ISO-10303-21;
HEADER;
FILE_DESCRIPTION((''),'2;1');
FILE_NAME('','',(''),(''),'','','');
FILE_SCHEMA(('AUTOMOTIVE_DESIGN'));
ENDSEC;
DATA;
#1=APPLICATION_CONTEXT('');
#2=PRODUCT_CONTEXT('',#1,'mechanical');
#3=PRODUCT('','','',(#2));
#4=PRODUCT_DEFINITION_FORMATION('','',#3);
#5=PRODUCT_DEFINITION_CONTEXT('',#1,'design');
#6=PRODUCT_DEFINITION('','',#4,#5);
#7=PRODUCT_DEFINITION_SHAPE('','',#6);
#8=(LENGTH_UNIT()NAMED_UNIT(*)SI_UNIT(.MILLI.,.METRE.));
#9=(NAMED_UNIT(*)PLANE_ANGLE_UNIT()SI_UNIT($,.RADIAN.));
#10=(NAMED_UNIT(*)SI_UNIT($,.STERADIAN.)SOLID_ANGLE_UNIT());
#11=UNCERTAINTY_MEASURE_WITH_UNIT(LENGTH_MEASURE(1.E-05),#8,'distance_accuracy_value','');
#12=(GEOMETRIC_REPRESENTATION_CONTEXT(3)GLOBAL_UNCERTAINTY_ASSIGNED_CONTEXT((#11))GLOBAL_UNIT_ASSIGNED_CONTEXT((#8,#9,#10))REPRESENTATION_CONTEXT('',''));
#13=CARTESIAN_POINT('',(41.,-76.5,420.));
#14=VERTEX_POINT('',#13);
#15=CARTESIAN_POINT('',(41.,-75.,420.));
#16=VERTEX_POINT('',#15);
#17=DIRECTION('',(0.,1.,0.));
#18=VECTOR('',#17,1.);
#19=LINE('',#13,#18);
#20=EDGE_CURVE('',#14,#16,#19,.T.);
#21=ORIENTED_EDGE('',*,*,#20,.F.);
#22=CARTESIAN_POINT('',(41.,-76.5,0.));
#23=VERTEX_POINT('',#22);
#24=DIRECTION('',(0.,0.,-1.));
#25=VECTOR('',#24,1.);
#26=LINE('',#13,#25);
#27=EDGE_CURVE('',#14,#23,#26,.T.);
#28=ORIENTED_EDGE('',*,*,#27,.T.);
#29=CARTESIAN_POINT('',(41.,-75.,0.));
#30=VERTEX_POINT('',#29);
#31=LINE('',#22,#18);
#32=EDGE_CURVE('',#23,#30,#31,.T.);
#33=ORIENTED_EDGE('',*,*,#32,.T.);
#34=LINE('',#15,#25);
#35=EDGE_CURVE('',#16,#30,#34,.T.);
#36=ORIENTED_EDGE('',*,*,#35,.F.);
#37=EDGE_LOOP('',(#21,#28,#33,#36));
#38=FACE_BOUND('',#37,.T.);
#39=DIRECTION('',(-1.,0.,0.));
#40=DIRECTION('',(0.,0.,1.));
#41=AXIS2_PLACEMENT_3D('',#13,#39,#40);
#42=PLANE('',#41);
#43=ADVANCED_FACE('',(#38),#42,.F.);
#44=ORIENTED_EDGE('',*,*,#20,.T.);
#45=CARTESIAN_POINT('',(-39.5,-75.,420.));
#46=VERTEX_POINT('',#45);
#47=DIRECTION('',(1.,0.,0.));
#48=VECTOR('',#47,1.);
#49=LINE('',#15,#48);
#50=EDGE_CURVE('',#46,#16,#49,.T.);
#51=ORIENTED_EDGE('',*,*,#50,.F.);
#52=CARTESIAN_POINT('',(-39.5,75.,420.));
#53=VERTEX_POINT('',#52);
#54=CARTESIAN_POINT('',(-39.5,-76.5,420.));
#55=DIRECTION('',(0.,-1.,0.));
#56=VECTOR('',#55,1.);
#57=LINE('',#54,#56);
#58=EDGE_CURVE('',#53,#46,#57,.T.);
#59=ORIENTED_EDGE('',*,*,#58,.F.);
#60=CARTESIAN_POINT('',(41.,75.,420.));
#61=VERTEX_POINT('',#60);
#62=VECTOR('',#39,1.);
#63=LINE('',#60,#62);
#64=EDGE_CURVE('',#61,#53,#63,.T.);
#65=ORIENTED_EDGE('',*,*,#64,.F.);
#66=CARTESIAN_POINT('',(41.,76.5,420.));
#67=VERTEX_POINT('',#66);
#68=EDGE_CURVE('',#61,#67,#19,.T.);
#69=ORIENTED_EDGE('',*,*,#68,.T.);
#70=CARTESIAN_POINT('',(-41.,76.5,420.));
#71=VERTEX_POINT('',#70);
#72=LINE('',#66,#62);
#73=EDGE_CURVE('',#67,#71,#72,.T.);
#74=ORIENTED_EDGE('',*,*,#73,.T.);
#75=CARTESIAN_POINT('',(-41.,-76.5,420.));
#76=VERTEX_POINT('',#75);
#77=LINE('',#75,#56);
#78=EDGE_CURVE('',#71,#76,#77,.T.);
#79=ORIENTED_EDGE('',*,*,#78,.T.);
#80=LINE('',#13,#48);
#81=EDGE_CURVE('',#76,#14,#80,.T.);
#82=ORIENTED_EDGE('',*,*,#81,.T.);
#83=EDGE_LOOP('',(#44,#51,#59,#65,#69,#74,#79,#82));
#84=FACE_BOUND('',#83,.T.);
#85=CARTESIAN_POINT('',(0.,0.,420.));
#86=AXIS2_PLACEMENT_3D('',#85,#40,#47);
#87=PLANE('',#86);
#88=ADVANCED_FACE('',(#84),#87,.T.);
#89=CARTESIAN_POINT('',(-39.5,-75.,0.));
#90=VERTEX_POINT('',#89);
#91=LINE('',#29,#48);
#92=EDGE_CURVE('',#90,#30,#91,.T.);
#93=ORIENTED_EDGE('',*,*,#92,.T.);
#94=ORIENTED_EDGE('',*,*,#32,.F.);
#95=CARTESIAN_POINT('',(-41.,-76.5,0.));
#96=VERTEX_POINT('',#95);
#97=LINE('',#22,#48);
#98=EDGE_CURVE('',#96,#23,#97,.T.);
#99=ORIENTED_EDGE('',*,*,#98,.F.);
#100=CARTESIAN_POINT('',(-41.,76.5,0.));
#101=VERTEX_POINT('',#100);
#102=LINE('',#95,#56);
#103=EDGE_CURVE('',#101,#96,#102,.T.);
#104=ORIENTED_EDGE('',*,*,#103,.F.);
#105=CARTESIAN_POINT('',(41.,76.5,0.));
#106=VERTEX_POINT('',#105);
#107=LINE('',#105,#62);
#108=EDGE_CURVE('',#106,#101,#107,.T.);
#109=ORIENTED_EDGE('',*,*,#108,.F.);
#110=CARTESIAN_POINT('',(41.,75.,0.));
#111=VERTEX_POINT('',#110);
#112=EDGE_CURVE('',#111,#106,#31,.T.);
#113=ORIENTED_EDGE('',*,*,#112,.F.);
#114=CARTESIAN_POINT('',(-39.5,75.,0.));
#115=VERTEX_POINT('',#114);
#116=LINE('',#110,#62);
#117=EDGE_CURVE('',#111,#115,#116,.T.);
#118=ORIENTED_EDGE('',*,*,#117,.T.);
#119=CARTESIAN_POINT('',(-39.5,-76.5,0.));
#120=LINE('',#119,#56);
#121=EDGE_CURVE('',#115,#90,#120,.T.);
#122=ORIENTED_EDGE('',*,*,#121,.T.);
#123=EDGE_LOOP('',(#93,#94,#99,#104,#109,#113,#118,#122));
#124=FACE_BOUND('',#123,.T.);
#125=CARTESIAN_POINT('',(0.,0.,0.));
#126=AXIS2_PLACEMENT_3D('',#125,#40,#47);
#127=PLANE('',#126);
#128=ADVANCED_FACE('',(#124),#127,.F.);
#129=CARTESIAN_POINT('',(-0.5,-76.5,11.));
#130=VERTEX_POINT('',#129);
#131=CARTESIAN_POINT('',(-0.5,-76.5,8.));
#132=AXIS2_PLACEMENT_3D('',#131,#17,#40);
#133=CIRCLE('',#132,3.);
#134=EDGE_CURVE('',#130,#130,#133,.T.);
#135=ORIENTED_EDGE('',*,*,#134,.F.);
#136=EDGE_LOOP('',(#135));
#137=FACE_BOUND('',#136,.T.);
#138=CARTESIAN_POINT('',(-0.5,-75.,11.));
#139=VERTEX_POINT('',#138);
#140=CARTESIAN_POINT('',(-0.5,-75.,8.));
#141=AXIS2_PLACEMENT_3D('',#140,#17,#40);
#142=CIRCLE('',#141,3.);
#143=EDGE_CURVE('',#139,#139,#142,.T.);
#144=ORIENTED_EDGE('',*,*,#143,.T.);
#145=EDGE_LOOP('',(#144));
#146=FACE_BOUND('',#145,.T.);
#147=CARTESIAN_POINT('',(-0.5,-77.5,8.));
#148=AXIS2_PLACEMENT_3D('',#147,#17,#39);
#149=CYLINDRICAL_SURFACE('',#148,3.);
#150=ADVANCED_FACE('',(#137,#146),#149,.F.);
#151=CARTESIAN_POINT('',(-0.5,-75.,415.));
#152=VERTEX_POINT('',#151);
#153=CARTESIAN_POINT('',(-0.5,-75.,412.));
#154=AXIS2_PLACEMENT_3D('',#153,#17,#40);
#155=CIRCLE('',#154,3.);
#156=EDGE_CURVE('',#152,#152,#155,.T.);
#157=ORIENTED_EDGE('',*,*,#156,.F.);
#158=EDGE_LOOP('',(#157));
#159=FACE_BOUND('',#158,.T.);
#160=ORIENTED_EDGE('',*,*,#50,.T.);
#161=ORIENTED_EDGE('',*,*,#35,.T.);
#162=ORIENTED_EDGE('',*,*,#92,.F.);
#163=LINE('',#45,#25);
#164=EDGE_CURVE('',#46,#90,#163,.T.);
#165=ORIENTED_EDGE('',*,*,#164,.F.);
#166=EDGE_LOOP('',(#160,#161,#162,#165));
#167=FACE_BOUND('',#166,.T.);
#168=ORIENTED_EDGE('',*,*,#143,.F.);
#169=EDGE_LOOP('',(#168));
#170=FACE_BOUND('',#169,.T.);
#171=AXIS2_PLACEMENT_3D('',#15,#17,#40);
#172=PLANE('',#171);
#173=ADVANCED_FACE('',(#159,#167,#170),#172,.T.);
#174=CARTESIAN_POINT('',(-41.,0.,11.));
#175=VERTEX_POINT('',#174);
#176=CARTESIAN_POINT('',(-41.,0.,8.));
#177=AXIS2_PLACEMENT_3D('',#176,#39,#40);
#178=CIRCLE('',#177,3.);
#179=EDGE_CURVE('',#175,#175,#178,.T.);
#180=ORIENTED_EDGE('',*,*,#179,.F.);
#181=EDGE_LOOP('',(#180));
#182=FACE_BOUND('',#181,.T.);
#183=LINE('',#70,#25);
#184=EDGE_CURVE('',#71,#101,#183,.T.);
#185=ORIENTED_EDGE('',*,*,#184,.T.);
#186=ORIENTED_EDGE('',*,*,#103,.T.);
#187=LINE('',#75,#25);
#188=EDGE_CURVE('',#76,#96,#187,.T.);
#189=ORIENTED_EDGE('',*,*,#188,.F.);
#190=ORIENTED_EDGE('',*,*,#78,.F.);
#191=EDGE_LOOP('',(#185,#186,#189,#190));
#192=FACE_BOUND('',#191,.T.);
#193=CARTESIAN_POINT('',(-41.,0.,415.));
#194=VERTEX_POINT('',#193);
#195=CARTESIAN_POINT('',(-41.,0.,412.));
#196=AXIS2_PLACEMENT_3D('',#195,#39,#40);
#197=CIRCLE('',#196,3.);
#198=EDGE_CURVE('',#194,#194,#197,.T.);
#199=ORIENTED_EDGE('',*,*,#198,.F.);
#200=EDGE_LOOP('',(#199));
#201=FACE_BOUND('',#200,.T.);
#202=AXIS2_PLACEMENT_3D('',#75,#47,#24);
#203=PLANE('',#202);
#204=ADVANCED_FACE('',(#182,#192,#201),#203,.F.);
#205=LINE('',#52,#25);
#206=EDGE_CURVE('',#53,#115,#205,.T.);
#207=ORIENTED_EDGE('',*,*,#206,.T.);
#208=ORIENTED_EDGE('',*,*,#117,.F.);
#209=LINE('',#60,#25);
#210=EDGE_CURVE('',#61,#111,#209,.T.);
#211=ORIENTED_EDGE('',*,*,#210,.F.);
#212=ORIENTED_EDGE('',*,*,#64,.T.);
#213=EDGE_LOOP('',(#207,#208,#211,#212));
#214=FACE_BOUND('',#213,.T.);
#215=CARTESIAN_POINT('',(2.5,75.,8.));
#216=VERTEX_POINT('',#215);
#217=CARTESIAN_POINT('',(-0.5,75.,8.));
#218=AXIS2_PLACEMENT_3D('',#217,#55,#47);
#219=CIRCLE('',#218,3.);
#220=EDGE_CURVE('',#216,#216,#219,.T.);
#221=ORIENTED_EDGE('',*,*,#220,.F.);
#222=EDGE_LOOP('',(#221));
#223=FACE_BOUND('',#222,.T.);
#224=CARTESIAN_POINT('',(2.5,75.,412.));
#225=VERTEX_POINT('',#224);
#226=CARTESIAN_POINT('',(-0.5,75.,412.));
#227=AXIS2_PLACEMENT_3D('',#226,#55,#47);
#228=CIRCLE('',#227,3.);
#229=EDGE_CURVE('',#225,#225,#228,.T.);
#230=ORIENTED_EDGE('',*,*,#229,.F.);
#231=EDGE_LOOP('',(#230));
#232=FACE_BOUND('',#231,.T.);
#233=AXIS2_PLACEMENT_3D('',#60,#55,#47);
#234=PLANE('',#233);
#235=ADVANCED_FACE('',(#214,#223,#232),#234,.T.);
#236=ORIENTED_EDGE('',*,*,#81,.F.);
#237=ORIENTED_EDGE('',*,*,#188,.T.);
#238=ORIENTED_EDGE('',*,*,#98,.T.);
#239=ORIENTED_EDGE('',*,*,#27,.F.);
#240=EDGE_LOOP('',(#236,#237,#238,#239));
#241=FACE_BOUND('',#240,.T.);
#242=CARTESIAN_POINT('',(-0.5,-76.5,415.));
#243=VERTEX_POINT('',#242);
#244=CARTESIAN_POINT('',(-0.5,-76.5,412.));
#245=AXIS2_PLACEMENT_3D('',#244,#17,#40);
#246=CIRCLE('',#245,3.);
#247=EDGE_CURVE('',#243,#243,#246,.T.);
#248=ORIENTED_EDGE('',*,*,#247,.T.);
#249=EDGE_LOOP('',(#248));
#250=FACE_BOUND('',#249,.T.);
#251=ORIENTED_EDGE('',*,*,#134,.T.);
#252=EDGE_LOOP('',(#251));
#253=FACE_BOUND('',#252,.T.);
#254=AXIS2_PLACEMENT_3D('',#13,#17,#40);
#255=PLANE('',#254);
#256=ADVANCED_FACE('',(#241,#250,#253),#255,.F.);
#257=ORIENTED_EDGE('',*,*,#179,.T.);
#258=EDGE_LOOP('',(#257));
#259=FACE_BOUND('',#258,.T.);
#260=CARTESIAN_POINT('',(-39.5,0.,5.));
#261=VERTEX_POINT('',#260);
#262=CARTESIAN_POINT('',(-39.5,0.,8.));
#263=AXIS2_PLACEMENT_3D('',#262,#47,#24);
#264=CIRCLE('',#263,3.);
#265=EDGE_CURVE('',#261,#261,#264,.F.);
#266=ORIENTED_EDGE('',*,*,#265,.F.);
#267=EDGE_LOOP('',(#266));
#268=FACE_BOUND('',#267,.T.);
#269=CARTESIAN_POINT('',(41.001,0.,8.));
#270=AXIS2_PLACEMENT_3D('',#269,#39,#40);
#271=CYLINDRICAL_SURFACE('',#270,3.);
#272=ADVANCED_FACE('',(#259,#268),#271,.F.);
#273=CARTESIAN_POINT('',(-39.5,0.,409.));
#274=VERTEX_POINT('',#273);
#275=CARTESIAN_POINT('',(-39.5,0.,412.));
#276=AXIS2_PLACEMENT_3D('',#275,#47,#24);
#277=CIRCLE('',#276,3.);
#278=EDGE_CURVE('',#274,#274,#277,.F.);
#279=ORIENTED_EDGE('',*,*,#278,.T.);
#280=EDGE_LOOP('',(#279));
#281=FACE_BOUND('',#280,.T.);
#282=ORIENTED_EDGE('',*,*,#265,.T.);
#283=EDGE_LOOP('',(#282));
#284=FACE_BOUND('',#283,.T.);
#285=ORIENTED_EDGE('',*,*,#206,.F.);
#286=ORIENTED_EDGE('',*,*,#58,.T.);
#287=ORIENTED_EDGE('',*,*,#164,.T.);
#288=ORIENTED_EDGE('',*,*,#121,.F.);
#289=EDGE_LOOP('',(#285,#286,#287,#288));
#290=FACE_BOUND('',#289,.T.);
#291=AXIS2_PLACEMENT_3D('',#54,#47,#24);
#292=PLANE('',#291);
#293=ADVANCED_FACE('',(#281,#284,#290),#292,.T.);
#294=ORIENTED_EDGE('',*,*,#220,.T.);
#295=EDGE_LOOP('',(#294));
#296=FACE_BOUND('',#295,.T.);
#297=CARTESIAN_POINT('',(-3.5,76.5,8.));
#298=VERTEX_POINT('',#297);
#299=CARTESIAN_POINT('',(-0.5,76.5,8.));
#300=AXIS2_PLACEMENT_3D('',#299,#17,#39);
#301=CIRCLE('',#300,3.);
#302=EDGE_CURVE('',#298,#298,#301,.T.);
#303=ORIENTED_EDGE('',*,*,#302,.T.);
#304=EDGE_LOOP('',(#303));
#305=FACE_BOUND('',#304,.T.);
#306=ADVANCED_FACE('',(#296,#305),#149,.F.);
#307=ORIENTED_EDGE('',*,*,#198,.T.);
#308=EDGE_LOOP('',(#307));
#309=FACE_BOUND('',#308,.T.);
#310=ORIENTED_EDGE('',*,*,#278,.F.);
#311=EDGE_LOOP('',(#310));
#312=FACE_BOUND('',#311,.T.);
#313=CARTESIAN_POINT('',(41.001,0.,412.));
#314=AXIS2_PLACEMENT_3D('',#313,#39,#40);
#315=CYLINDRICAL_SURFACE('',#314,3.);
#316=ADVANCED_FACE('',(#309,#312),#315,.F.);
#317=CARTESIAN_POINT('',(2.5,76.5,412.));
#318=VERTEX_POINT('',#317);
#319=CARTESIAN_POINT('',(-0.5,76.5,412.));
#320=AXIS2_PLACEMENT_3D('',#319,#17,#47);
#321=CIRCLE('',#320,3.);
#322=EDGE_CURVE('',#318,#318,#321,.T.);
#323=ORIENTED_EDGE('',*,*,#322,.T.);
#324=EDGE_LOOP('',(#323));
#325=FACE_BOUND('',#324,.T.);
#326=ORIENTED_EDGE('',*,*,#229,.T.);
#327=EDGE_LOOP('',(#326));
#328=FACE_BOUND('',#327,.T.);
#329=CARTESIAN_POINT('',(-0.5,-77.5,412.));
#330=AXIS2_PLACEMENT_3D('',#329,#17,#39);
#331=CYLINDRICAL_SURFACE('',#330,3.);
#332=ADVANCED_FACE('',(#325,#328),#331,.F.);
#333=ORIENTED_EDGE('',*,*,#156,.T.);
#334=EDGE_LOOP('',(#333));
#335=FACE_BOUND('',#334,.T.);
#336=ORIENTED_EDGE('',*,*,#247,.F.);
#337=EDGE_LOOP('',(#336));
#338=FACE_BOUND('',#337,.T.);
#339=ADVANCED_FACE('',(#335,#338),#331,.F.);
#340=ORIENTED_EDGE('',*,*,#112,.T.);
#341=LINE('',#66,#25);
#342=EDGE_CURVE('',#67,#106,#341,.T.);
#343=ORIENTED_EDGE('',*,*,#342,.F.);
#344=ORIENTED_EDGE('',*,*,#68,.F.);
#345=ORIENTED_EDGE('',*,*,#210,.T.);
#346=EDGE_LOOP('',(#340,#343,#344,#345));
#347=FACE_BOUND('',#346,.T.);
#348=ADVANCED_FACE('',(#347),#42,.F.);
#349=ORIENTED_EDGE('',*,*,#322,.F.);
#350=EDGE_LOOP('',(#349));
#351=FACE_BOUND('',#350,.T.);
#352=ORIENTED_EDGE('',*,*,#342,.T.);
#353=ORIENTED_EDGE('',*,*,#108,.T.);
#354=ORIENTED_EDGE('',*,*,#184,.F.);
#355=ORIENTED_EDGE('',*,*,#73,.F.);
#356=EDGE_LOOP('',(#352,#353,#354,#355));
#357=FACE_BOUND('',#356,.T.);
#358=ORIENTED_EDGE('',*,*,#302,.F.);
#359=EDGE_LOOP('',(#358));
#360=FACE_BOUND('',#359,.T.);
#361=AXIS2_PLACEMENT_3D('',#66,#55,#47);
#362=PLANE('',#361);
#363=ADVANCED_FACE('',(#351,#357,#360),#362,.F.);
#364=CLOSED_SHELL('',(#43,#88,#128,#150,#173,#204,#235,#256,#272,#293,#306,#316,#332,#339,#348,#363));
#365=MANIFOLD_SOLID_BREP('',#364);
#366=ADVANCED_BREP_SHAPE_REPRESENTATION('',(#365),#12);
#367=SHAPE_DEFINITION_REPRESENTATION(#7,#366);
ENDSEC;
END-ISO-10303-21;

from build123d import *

# Parameters (mm, degrees)
SKETCH1_W           = 82
SKETCH1_H           = 153
BOSS_EXTRUDE1_DEPTH = 420
SHELL1_T            = -1.5
SKETCH4_R           = 3
CUT_EXTRUDE1_DEPTH  = 154
CUT_EXTRUDE2_REACH  = 436.714
SKETCH5_R           = 3


with BuildPart() as part:
    # Sketch1 → Boss-Extrude1 (new body)
    with BuildSketch(Plane.XY):
        Rectangle(SKETCH1_W, SKETCH1_H)
    extrude(amount=BOSS_EXTRUDE1_DEPTH)

    # Shell1
    shell1_openings = [part.faces().sort_by_distance(p)[0] for p in [
        (0, 0, 0),
        (41, 0, 210),
        (0, 0, 420),
    ]]
    offset(amount=SHELL1_T, openings=shell1_openings, kind=Kind.INTERSECTION)

    # Sketch4 → Cut-Extrude1 (cut)
    with BuildSketch(Plane(origin=(0, 76.5, 0), x_dir=(1, 0, 0), z_dir=(0, 1, 0))):
        with Locations((-0.5, -8)):
            Circle(SKETCH4_R)
        with Locations((-0.5, -412)):
            Circle(SKETCH4_R)
    extrude(amount=-CUT_EXTRUDE1_DEPTH, mode=Mode.SUBTRACT)

    # Sketch5 → Cut-Extrude2 (cut, up to next)
    with BuildSketch(Plane.ZY.offset(41), mode=Mode.PRIVATE) as cut_extrude2_sk1:
        with Locations((8, 0)):
            Circle(SKETCH5_R)
    cut_extrude2_tool1 = extrude(cut_extrude2_sk1.sketch, amount=-CUT_EXTRUDE2_REACH, mode=Mode.PRIVATE) & part.part
    # Sketch5 → Cut-Extrude2 (cut, up to next)
    with BuildSketch(Plane.ZY.offset(41), mode=Mode.PRIVATE) as cut_extrude2_sk2:
        with Locations((412, 0)):
            Circle(SKETCH5_R)
    cut_extrude2_tool2 = extrude(cut_extrude2_sk2.sketch, amount=-CUT_EXTRUDE2_REACH, mode=Mode.PRIVATE) & part.part
    add(cut_extrude2_tool1.solids().sort_by_distance((-41, 0, 8))[0], mode=Mode.SUBTRACT)
    add(cut_extrude2_tool2.solids().sort_by_distance((-41, 0, 412))[0], mode=Mode.SUBTRACT)


solid = part.part
